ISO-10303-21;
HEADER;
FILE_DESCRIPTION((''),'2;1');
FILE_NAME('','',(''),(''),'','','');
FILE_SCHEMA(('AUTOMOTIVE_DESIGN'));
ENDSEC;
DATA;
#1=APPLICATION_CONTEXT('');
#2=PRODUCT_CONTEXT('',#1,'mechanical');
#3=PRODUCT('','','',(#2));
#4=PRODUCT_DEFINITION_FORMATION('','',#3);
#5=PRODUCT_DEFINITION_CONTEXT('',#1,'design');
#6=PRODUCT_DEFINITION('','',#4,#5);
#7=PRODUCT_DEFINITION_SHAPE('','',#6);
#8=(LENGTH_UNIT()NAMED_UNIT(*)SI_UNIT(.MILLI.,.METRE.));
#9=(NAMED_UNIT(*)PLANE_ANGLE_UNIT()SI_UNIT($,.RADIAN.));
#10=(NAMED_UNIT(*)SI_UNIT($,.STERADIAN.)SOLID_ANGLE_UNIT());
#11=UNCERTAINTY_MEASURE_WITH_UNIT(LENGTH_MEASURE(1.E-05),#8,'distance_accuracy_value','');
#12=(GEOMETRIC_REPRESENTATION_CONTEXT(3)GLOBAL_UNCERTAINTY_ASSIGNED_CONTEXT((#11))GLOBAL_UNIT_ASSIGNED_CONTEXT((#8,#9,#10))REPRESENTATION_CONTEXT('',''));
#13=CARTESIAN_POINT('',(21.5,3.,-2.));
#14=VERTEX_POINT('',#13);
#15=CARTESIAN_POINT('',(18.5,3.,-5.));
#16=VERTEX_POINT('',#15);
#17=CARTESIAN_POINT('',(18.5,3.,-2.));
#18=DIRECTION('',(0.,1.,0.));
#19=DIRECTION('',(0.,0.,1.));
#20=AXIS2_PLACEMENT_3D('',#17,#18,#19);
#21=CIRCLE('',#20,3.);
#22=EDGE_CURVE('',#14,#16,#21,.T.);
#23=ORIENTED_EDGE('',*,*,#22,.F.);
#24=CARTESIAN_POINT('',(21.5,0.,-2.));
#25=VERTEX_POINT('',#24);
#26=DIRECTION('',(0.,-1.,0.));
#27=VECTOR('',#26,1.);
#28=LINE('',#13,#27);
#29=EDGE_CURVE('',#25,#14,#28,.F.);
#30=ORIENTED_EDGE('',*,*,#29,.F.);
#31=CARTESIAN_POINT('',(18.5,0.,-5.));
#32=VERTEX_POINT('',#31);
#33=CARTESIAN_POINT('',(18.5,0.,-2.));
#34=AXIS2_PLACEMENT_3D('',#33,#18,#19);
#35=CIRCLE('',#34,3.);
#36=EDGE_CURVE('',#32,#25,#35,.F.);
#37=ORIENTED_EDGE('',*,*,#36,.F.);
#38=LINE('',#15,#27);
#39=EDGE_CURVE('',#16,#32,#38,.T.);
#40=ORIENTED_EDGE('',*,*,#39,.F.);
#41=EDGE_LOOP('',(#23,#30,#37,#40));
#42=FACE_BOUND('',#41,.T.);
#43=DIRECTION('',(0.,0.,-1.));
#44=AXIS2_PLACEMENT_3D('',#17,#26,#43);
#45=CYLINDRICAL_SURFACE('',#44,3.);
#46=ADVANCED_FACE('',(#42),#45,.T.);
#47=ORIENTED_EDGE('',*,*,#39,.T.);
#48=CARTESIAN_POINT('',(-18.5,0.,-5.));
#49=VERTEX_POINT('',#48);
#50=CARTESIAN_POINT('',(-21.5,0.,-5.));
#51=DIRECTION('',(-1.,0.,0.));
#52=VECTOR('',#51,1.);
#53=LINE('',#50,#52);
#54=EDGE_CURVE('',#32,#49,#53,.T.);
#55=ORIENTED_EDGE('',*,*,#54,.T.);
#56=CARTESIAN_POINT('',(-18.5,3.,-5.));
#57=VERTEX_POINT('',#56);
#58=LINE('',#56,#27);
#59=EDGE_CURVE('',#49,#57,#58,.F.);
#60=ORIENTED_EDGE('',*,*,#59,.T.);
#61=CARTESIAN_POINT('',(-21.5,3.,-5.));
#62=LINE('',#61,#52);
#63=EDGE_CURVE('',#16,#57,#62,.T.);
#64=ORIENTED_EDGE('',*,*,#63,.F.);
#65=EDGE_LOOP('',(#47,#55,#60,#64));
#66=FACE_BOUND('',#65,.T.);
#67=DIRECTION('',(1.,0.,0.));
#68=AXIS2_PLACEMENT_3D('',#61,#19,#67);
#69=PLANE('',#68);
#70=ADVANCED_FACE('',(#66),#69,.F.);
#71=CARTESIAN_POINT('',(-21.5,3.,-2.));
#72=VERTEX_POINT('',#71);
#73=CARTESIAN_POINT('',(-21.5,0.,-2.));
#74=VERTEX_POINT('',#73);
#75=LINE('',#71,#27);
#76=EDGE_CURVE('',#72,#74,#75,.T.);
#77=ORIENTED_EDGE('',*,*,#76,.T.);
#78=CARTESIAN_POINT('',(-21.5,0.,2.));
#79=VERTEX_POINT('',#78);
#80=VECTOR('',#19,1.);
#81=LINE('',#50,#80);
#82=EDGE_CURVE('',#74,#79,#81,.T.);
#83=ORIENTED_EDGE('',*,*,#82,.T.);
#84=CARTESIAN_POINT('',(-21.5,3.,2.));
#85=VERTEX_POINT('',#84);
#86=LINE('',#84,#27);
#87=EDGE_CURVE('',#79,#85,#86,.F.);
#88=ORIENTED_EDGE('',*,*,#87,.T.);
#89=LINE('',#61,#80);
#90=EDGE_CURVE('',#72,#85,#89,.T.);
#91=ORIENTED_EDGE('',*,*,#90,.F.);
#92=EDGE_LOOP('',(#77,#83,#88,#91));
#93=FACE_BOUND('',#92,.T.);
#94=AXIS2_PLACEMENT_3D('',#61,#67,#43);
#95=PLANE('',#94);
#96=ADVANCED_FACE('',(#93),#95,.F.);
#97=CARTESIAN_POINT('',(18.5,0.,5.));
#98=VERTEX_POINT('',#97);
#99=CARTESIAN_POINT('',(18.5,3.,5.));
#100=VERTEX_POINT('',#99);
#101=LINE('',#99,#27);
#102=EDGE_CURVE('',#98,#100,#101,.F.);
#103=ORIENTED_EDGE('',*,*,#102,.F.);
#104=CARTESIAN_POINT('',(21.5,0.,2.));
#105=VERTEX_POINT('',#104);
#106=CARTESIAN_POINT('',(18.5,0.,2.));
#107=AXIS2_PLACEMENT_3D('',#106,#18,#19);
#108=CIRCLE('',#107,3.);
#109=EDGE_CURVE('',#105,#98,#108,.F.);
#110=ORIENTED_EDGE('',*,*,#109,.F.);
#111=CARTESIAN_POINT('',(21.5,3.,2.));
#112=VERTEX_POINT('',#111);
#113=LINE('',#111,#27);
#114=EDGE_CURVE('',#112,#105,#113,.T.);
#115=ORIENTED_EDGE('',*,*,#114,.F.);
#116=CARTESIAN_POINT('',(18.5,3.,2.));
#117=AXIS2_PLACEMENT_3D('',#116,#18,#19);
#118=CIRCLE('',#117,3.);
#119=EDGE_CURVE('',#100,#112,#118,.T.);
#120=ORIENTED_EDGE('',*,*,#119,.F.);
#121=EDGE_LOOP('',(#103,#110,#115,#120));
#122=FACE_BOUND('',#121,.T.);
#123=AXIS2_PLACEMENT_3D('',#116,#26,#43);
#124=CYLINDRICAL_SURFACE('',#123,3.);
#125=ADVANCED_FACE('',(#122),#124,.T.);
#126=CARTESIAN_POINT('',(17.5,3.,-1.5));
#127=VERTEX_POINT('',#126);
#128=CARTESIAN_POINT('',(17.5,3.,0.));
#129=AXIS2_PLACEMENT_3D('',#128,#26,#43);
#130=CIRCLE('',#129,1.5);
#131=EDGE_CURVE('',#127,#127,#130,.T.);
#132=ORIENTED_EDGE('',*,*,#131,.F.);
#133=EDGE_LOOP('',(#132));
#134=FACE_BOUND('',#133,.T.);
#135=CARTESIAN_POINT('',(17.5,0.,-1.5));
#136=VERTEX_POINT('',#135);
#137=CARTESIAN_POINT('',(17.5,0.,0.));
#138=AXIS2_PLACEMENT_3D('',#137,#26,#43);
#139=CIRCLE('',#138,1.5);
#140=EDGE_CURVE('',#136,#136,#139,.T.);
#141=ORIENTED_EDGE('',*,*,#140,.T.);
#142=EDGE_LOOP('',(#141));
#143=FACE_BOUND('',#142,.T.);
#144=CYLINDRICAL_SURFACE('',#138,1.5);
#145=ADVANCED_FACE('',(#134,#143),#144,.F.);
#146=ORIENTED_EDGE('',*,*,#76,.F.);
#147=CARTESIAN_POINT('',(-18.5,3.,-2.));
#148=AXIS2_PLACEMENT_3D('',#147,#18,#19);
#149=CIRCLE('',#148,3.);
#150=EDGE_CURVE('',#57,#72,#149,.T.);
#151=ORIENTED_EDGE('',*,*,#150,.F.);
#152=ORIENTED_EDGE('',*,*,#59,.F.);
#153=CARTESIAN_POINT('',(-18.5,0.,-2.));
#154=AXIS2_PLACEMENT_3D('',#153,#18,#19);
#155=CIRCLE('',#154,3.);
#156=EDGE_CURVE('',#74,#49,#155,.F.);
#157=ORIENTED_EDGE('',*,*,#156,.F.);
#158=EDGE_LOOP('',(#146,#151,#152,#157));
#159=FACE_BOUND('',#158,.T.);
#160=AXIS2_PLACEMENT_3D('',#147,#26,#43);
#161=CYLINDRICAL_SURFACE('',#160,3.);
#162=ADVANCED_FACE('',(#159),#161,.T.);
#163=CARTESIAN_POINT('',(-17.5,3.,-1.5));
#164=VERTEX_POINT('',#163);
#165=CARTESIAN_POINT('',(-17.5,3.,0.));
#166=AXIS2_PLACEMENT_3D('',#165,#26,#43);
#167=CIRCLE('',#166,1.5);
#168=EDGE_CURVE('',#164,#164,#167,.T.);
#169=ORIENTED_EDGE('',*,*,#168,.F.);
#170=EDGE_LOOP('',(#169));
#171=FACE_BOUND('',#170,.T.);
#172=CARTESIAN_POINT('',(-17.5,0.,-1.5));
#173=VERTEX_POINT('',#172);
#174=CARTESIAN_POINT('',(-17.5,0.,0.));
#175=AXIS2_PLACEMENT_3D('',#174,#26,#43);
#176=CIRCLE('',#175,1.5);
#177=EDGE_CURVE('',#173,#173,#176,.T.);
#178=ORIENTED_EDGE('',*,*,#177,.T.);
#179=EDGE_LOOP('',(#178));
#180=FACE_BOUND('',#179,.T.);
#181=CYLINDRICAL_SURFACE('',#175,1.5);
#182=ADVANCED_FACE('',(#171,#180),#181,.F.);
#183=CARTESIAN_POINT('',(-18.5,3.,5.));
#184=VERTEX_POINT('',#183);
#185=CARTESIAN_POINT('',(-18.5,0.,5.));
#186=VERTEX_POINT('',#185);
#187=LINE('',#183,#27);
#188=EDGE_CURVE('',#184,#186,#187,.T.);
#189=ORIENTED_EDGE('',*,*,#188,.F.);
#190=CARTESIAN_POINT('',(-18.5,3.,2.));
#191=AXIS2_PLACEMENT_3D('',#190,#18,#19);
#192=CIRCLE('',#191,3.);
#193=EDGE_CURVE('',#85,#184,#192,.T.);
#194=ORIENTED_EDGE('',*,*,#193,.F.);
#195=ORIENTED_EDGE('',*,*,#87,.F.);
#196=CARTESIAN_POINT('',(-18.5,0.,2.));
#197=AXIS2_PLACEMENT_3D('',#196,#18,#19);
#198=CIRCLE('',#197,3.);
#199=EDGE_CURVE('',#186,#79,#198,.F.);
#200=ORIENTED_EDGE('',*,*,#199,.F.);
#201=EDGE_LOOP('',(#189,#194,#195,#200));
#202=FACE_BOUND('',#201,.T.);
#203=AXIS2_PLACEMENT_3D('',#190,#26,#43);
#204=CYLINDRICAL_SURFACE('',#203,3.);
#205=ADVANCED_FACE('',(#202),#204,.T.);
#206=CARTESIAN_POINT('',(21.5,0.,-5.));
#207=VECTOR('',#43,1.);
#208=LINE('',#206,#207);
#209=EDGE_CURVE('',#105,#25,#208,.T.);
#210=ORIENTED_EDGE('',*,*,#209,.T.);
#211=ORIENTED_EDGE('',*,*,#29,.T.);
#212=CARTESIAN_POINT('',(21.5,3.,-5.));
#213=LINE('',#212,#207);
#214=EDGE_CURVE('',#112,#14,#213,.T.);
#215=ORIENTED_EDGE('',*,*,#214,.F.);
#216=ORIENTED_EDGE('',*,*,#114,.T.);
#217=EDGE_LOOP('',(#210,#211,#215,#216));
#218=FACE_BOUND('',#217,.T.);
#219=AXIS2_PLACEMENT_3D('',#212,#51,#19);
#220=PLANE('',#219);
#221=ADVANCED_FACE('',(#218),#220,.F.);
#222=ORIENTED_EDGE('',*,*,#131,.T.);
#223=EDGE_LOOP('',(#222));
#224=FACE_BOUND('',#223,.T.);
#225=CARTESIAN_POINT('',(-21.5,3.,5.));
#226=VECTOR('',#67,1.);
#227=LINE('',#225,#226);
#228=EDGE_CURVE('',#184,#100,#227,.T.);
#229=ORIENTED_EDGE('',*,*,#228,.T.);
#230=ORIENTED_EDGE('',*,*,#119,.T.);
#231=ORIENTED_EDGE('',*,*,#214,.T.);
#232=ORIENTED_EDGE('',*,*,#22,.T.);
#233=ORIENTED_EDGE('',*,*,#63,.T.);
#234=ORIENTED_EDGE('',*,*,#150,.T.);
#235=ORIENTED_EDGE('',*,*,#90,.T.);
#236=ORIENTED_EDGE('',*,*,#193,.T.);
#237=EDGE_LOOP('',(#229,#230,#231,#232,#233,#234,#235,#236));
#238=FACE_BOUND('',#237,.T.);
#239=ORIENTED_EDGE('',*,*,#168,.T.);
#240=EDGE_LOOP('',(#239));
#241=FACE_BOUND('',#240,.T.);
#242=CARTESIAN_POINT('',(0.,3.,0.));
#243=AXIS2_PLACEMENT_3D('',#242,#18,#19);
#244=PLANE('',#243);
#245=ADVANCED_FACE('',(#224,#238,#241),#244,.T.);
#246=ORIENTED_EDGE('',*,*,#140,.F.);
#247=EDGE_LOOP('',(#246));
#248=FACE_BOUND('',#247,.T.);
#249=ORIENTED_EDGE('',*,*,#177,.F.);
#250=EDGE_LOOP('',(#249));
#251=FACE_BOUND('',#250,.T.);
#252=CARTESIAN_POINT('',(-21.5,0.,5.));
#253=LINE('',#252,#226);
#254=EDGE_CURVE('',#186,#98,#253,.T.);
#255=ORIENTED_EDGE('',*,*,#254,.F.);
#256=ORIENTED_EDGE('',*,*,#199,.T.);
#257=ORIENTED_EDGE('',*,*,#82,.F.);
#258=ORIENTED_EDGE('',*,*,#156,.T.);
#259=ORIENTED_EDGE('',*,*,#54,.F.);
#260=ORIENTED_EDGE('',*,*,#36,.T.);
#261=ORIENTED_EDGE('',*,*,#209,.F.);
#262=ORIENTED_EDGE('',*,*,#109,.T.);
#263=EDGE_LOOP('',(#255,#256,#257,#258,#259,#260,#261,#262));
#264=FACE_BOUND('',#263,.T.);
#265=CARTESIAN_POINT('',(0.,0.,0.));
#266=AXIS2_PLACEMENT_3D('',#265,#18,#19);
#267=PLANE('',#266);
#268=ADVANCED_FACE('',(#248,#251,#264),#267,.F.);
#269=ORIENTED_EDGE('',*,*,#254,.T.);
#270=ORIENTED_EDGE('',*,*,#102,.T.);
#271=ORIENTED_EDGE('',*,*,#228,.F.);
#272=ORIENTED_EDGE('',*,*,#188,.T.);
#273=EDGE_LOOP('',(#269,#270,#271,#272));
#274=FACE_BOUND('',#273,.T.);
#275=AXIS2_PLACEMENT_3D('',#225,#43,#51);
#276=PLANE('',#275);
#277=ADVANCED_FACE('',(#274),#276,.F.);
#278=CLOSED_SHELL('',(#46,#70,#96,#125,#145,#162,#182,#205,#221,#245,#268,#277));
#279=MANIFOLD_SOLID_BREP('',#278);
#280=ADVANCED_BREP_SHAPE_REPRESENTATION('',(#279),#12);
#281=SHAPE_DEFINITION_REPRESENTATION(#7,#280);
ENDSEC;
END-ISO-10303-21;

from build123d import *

# Parameters (mm, degrees)
SKETCH1_W             = 43
SKETCH1_H             = 10
BOSS_EXTRUDE1_DEPTH   = 3
FILLET1_R             = 3
F_3_0MM_DOWEL_HOLE1_D = 3


with BuildPart() as part:
    # Sketch1 → Boss-Extrude1 (new body)
    with BuildSketch(Plane(origin=(0, 0, 0), x_dir=(1, 0, 0), z_dir=(0, 1, 0))):
        Rectangle(SKETCH1_W, SKETCH1_H)
    extrude(amount=BOSS_EXTRUDE1_DEPTH)

    # Fillet1
    fillet1_edges = [part.edges().sort_by_distance(p)[0] for p in [
        (21.5, 1.5, 5),
        (-21.5, 1.5, 5),
        (-21.5, 1.5, -5),
        (21.5, 1.5, -5),
    ]]
    fillet(fillet1_edges, radius=FILLET1_R)

    # Ø3.0mm Dowel Hole1 (through all)
    with Locations(Plane(origin=(0, 0, 0), x_dir=(-1, 0, 0), z_dir=(0, -1, 0))):
        with Locations((-17.5, 0), (17.5, 0)):
            Hole(F_3_0MM_DOWEL_HOLE1_D / 2)


solid = part.part
